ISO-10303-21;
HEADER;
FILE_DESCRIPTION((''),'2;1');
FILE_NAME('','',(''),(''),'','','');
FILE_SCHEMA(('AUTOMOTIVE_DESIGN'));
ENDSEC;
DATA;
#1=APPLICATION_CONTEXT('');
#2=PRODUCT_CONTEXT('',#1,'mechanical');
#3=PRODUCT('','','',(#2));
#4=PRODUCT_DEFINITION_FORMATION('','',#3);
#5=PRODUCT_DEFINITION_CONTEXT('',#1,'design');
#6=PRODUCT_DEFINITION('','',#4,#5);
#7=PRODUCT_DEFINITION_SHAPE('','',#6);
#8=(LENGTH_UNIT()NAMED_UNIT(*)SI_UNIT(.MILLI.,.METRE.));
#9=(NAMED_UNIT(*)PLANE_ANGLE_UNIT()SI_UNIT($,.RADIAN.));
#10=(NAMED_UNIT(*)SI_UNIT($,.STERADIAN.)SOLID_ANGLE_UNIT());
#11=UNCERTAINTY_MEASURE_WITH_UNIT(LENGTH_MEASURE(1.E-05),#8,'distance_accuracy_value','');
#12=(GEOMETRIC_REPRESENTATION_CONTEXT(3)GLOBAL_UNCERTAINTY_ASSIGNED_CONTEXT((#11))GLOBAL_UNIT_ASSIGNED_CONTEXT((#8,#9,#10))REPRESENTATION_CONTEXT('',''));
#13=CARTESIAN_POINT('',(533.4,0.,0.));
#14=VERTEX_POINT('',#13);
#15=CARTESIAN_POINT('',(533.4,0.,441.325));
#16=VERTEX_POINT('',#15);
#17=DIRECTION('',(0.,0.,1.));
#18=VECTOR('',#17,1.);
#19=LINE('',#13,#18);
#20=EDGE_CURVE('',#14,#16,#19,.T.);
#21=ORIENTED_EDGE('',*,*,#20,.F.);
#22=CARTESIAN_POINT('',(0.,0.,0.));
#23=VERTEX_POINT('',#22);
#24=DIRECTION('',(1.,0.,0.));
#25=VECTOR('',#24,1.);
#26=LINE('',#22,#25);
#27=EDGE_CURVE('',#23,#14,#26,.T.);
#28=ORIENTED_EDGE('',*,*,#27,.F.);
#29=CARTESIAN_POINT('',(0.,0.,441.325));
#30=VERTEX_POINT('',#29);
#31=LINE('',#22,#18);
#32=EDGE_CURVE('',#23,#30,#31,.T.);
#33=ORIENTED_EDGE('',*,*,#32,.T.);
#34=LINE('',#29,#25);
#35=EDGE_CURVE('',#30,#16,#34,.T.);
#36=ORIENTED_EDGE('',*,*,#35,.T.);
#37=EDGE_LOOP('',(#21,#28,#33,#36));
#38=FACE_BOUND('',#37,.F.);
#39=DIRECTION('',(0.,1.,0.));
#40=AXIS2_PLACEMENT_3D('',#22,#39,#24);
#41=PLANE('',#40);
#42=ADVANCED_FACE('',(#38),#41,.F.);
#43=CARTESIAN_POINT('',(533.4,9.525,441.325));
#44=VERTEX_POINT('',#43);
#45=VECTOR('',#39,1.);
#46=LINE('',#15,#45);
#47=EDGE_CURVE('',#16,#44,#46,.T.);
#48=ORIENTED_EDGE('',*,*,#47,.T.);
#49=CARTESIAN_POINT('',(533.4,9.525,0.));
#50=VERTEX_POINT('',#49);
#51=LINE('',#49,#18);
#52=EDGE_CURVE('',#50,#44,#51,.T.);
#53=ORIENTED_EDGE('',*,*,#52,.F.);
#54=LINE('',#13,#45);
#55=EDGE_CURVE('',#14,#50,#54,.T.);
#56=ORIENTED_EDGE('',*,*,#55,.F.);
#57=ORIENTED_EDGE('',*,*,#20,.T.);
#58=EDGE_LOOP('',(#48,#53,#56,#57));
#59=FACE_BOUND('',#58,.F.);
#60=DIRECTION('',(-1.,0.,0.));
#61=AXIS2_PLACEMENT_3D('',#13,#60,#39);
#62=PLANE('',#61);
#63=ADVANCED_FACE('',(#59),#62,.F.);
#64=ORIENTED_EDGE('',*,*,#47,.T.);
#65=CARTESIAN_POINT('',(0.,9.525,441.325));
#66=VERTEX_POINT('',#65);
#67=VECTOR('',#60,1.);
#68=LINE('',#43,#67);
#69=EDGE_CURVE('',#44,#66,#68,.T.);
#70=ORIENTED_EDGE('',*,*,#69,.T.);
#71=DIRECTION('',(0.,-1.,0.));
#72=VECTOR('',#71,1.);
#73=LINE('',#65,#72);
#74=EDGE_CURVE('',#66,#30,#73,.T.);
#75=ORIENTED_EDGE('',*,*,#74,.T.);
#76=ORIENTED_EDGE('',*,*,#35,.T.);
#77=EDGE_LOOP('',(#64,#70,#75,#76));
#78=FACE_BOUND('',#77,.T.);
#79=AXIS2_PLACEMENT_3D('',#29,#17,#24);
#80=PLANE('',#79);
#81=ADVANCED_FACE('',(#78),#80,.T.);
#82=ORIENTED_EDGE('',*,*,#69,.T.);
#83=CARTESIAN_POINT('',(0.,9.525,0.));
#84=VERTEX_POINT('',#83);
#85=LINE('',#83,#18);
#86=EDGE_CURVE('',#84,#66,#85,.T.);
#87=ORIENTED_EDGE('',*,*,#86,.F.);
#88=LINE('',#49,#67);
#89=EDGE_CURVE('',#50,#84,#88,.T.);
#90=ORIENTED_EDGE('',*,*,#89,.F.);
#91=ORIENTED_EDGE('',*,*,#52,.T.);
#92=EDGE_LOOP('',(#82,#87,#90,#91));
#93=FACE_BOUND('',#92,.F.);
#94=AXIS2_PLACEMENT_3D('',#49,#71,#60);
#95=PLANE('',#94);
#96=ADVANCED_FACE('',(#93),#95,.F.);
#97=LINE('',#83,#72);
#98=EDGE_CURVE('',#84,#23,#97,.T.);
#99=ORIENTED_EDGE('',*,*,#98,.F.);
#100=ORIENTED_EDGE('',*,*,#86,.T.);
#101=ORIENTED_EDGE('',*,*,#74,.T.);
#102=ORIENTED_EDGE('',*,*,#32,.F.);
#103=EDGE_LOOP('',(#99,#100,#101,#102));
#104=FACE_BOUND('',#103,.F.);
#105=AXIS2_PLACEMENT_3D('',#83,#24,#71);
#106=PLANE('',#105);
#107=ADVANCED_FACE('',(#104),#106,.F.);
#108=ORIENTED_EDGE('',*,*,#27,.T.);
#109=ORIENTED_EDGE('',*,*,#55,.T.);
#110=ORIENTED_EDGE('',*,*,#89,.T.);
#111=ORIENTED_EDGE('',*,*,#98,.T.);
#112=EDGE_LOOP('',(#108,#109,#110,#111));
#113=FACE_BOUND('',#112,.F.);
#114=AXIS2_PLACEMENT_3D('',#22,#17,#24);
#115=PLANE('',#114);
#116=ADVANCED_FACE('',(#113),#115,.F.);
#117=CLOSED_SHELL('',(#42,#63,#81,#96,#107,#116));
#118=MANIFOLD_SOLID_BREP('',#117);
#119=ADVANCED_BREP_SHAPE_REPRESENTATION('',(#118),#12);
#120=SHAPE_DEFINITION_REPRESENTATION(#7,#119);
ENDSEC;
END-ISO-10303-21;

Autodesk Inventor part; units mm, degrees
ref_plane "YZ Plane" through (0, 0, 0) normal (1, 0, 0) x (0, 1, 0)
ref_plane "XZ Plane" through (0, 0, 0) normal (0, 1, 0) x (-1, 0, 0)
ref_plane "XY Plane" through (0, 0, 0) normal (0, 0, 1) x (1, 0, 0)
sketch "Sketch1" plane through (0, 0, 0) normal (0, 0, 1) x (1, 0, 0)
  line L0 (0, 0) -> (533.4, 0)
  line L1 (533.4, 0) -> (533.4, 9.525)
  line L2 (533.4, 9.525) -> (0, 9.525)
  line L3 (0, 9.525) -> (0, 0)
  dimension "d0" = 533.4
  dimension "d1" = 9.525
extrude "Extrusion1" add sketch "Sketch1" along normal blind 441.325
properties part number "top_cover_sheet" material "Wood (Birch)"
